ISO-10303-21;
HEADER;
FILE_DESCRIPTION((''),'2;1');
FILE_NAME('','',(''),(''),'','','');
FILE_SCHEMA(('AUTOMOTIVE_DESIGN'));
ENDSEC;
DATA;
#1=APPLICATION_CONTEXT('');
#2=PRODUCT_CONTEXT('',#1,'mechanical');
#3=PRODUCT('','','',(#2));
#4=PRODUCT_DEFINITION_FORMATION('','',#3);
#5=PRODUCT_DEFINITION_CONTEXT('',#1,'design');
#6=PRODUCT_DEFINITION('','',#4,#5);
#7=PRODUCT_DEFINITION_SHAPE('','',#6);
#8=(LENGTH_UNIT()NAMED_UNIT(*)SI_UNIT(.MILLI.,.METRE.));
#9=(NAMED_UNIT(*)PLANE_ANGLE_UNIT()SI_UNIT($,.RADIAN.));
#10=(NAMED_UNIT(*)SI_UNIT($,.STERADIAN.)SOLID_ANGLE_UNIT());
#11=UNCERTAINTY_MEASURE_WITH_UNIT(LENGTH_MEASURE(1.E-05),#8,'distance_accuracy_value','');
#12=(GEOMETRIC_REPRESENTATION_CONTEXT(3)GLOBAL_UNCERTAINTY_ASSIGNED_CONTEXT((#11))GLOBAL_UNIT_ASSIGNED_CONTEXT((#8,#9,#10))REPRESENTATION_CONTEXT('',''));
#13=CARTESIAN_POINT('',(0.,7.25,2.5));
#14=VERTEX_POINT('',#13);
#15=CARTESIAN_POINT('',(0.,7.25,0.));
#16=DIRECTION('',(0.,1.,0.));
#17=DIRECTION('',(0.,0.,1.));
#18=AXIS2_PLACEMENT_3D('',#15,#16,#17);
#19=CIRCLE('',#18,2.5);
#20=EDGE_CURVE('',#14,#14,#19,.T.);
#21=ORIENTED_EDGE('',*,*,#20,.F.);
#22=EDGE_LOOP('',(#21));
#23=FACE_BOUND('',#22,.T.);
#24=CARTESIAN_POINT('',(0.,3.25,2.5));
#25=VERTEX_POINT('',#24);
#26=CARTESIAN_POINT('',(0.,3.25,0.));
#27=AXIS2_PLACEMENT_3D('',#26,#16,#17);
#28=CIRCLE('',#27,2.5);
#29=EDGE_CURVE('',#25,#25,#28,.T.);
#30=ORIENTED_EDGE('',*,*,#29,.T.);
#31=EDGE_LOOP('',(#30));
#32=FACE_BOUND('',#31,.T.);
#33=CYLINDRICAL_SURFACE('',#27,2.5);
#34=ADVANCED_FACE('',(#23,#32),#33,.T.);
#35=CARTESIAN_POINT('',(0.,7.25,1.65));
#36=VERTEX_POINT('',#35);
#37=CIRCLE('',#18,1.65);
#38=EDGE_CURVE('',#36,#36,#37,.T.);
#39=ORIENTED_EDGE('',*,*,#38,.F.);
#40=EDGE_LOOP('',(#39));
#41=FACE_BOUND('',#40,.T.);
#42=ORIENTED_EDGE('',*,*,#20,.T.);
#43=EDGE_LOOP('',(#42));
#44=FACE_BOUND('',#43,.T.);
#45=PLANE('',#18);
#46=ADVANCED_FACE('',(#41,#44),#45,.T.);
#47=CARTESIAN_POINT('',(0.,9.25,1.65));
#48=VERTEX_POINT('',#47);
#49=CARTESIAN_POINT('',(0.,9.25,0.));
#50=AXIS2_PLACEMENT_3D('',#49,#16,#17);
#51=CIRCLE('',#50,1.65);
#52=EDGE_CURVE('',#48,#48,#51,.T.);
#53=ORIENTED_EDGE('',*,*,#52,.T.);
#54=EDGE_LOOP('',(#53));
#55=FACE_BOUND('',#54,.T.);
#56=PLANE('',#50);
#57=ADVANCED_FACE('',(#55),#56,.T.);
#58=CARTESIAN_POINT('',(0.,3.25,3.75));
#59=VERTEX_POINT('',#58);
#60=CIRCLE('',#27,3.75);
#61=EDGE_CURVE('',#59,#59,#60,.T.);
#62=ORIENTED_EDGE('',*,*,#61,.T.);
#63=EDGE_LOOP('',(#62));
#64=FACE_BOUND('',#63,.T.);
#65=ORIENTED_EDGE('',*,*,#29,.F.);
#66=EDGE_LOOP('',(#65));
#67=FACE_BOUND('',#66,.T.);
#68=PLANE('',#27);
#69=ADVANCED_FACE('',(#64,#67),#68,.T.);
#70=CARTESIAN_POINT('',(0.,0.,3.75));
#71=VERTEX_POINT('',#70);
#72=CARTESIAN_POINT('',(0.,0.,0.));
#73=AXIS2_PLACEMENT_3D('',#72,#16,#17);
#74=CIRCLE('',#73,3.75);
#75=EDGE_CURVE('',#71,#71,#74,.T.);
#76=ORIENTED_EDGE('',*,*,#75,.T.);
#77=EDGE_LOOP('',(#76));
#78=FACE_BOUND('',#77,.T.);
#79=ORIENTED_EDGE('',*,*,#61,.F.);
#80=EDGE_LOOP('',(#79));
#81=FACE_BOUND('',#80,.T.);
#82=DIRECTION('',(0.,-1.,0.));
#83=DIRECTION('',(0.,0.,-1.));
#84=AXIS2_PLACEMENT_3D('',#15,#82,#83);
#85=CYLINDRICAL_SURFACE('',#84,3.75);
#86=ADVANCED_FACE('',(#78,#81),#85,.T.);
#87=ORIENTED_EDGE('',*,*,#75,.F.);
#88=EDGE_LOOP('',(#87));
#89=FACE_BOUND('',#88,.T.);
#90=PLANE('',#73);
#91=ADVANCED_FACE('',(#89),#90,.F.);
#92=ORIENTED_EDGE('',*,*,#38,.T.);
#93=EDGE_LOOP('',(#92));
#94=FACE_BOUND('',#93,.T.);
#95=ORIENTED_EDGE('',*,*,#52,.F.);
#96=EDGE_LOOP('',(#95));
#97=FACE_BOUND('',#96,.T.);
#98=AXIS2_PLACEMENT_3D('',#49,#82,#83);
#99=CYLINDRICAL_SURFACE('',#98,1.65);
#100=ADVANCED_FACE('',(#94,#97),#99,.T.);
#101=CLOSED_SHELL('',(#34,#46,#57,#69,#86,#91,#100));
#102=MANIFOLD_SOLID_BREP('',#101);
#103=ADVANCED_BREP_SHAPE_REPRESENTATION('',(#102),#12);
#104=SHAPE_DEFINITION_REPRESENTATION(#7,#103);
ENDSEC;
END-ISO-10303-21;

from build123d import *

# Parameters (mm, degrees)
SKETCH1_R           = 3.75
BOSS_EXTRUDE1_DEPTH = 7.25
SKETCH2_R           = 3.75
SKETCH2_R_2         = 2.5
CUT_EXTRUDE1_DEPTH  = 4
SKETCH3_R           = 1.65
BOSS_EXTRUDE2_DEPTH = 2


with BuildPart() as part:
    # Sketch1 → Boss-Extrude1 (new body)
    with BuildSketch(Plane(origin=(0, 0, 0), x_dir=(1, 0, 0), z_dir=(0, 1, 0))):
        Circle(SKETCH1_R)
    extrude(amount=BOSS_EXTRUDE1_DEPTH)

    # Sketch2 → Cut-Extrude1 (cut)
    with BuildSketch(Plane(origin=(0, 7.25, 0), x_dir=(1, 0, 0), z_dir=(0, 1, 0))):
        Circle(SKETCH2_R)
        Circle(SKETCH2_R_2, mode=Mode.SUBTRACT)
    extrude(amount=-CUT_EXTRUDE1_DEPTH, mode=Mode.SUBTRACT)

    # Sketch3 → Boss-Extrude2 (add)
    with BuildSketch(Plane(origin=(0, 7.25, 0), x_dir=(1, 0, 0), z_dir=(0, 1, 0))):
        Circle(SKETCH3_R)
    extrude(amount=BOSS_EXTRUDE2_DEPTH)


solid = part.part
